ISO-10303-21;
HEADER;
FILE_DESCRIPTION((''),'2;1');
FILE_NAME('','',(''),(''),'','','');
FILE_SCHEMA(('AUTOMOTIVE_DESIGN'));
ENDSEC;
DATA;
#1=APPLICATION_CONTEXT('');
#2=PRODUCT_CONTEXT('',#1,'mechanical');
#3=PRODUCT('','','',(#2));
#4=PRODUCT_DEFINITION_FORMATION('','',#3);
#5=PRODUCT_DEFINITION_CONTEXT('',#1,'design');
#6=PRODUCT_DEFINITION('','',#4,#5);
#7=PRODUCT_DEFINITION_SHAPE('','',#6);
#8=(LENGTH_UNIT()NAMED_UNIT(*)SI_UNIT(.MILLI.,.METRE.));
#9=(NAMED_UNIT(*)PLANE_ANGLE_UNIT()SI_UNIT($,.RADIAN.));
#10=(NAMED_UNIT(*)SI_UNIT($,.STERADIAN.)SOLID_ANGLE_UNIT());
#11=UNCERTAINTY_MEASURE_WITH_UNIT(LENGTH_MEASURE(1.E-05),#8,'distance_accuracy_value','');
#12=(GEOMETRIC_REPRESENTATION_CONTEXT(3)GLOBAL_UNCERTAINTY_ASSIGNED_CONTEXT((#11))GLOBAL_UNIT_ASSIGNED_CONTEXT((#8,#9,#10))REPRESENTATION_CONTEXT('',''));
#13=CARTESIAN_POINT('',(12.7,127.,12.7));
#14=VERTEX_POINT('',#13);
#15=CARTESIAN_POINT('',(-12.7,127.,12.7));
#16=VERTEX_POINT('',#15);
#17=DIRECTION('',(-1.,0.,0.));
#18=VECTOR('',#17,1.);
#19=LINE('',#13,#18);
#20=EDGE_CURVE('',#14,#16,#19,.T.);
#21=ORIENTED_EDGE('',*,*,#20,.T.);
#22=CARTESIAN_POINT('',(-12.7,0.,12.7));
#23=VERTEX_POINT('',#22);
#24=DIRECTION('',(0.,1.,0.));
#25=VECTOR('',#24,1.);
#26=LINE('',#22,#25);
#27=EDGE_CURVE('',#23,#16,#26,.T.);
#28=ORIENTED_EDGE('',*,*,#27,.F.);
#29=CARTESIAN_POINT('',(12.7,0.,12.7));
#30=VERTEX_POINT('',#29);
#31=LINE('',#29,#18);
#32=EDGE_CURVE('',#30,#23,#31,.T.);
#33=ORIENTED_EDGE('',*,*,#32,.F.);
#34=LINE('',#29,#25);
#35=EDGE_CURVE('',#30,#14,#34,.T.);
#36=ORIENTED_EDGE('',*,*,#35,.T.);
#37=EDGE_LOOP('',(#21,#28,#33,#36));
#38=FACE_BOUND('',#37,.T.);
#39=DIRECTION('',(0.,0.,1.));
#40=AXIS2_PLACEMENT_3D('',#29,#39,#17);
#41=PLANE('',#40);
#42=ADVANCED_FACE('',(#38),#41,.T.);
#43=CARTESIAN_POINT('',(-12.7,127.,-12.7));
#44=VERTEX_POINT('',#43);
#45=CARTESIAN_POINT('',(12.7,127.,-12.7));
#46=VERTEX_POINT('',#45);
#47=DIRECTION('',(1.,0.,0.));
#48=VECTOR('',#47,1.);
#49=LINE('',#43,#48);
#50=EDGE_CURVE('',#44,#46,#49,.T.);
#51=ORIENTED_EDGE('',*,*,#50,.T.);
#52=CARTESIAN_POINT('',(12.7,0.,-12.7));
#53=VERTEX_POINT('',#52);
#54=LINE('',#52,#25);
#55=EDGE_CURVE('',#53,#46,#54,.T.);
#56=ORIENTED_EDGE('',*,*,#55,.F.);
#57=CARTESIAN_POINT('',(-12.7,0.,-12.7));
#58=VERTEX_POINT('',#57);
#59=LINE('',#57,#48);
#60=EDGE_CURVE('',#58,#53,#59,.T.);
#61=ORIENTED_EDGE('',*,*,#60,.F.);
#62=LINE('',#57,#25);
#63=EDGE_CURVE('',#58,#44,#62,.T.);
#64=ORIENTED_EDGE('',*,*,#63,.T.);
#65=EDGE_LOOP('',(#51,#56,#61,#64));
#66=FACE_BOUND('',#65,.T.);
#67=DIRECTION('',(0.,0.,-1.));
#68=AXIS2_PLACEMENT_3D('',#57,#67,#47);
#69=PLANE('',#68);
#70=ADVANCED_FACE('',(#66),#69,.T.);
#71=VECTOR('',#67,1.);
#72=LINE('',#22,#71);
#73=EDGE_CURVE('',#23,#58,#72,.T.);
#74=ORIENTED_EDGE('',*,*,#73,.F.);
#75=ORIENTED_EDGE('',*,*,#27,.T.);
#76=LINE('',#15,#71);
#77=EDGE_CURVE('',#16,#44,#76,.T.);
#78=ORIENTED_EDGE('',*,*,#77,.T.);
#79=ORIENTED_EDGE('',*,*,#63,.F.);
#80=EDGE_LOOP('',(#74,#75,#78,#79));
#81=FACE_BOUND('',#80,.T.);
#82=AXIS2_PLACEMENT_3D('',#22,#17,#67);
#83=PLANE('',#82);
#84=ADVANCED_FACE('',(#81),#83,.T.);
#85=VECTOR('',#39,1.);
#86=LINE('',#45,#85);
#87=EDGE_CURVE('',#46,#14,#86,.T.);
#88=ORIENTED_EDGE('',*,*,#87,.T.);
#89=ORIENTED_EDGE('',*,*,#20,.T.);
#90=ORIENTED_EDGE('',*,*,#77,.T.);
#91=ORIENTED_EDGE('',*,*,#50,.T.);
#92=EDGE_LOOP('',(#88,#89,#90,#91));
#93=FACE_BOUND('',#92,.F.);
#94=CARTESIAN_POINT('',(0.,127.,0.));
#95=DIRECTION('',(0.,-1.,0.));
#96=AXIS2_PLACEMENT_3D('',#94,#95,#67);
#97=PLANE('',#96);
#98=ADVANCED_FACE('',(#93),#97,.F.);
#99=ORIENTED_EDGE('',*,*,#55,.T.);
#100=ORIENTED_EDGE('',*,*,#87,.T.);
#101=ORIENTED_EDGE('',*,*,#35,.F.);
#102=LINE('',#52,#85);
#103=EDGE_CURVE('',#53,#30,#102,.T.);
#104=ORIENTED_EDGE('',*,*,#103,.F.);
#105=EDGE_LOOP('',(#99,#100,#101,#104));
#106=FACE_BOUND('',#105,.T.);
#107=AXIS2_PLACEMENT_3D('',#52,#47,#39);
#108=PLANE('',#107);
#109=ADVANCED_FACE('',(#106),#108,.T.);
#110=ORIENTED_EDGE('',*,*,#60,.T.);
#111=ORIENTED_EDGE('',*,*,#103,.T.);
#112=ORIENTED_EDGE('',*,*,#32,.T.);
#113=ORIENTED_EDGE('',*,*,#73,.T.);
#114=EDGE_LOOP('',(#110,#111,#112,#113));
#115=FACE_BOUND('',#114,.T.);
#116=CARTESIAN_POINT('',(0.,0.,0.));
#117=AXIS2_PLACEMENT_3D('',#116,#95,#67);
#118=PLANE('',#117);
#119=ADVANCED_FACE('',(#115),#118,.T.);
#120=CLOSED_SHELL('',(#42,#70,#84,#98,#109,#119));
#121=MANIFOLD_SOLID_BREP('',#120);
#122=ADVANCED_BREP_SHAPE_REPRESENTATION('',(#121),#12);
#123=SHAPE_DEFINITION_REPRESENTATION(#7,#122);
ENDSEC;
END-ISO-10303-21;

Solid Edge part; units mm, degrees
sketch "Sketch1" plane through (0, 0, 0) normal (0, -1, 0) x (1, 0, 0)
  line L0 (12.7, -12.7) -> (12.7, 12.7)
  line L1 (12.7, 12.7) -> (-12.7, 12.7)
  line L2 (-12.7, 12.7) -> (-12.7, -12.7)
  line L3 (-12.7, -12.7) -> (12.7, -12.7)
extrude "Protrusion1" add sketch "Sketch1" against normal blind 127
